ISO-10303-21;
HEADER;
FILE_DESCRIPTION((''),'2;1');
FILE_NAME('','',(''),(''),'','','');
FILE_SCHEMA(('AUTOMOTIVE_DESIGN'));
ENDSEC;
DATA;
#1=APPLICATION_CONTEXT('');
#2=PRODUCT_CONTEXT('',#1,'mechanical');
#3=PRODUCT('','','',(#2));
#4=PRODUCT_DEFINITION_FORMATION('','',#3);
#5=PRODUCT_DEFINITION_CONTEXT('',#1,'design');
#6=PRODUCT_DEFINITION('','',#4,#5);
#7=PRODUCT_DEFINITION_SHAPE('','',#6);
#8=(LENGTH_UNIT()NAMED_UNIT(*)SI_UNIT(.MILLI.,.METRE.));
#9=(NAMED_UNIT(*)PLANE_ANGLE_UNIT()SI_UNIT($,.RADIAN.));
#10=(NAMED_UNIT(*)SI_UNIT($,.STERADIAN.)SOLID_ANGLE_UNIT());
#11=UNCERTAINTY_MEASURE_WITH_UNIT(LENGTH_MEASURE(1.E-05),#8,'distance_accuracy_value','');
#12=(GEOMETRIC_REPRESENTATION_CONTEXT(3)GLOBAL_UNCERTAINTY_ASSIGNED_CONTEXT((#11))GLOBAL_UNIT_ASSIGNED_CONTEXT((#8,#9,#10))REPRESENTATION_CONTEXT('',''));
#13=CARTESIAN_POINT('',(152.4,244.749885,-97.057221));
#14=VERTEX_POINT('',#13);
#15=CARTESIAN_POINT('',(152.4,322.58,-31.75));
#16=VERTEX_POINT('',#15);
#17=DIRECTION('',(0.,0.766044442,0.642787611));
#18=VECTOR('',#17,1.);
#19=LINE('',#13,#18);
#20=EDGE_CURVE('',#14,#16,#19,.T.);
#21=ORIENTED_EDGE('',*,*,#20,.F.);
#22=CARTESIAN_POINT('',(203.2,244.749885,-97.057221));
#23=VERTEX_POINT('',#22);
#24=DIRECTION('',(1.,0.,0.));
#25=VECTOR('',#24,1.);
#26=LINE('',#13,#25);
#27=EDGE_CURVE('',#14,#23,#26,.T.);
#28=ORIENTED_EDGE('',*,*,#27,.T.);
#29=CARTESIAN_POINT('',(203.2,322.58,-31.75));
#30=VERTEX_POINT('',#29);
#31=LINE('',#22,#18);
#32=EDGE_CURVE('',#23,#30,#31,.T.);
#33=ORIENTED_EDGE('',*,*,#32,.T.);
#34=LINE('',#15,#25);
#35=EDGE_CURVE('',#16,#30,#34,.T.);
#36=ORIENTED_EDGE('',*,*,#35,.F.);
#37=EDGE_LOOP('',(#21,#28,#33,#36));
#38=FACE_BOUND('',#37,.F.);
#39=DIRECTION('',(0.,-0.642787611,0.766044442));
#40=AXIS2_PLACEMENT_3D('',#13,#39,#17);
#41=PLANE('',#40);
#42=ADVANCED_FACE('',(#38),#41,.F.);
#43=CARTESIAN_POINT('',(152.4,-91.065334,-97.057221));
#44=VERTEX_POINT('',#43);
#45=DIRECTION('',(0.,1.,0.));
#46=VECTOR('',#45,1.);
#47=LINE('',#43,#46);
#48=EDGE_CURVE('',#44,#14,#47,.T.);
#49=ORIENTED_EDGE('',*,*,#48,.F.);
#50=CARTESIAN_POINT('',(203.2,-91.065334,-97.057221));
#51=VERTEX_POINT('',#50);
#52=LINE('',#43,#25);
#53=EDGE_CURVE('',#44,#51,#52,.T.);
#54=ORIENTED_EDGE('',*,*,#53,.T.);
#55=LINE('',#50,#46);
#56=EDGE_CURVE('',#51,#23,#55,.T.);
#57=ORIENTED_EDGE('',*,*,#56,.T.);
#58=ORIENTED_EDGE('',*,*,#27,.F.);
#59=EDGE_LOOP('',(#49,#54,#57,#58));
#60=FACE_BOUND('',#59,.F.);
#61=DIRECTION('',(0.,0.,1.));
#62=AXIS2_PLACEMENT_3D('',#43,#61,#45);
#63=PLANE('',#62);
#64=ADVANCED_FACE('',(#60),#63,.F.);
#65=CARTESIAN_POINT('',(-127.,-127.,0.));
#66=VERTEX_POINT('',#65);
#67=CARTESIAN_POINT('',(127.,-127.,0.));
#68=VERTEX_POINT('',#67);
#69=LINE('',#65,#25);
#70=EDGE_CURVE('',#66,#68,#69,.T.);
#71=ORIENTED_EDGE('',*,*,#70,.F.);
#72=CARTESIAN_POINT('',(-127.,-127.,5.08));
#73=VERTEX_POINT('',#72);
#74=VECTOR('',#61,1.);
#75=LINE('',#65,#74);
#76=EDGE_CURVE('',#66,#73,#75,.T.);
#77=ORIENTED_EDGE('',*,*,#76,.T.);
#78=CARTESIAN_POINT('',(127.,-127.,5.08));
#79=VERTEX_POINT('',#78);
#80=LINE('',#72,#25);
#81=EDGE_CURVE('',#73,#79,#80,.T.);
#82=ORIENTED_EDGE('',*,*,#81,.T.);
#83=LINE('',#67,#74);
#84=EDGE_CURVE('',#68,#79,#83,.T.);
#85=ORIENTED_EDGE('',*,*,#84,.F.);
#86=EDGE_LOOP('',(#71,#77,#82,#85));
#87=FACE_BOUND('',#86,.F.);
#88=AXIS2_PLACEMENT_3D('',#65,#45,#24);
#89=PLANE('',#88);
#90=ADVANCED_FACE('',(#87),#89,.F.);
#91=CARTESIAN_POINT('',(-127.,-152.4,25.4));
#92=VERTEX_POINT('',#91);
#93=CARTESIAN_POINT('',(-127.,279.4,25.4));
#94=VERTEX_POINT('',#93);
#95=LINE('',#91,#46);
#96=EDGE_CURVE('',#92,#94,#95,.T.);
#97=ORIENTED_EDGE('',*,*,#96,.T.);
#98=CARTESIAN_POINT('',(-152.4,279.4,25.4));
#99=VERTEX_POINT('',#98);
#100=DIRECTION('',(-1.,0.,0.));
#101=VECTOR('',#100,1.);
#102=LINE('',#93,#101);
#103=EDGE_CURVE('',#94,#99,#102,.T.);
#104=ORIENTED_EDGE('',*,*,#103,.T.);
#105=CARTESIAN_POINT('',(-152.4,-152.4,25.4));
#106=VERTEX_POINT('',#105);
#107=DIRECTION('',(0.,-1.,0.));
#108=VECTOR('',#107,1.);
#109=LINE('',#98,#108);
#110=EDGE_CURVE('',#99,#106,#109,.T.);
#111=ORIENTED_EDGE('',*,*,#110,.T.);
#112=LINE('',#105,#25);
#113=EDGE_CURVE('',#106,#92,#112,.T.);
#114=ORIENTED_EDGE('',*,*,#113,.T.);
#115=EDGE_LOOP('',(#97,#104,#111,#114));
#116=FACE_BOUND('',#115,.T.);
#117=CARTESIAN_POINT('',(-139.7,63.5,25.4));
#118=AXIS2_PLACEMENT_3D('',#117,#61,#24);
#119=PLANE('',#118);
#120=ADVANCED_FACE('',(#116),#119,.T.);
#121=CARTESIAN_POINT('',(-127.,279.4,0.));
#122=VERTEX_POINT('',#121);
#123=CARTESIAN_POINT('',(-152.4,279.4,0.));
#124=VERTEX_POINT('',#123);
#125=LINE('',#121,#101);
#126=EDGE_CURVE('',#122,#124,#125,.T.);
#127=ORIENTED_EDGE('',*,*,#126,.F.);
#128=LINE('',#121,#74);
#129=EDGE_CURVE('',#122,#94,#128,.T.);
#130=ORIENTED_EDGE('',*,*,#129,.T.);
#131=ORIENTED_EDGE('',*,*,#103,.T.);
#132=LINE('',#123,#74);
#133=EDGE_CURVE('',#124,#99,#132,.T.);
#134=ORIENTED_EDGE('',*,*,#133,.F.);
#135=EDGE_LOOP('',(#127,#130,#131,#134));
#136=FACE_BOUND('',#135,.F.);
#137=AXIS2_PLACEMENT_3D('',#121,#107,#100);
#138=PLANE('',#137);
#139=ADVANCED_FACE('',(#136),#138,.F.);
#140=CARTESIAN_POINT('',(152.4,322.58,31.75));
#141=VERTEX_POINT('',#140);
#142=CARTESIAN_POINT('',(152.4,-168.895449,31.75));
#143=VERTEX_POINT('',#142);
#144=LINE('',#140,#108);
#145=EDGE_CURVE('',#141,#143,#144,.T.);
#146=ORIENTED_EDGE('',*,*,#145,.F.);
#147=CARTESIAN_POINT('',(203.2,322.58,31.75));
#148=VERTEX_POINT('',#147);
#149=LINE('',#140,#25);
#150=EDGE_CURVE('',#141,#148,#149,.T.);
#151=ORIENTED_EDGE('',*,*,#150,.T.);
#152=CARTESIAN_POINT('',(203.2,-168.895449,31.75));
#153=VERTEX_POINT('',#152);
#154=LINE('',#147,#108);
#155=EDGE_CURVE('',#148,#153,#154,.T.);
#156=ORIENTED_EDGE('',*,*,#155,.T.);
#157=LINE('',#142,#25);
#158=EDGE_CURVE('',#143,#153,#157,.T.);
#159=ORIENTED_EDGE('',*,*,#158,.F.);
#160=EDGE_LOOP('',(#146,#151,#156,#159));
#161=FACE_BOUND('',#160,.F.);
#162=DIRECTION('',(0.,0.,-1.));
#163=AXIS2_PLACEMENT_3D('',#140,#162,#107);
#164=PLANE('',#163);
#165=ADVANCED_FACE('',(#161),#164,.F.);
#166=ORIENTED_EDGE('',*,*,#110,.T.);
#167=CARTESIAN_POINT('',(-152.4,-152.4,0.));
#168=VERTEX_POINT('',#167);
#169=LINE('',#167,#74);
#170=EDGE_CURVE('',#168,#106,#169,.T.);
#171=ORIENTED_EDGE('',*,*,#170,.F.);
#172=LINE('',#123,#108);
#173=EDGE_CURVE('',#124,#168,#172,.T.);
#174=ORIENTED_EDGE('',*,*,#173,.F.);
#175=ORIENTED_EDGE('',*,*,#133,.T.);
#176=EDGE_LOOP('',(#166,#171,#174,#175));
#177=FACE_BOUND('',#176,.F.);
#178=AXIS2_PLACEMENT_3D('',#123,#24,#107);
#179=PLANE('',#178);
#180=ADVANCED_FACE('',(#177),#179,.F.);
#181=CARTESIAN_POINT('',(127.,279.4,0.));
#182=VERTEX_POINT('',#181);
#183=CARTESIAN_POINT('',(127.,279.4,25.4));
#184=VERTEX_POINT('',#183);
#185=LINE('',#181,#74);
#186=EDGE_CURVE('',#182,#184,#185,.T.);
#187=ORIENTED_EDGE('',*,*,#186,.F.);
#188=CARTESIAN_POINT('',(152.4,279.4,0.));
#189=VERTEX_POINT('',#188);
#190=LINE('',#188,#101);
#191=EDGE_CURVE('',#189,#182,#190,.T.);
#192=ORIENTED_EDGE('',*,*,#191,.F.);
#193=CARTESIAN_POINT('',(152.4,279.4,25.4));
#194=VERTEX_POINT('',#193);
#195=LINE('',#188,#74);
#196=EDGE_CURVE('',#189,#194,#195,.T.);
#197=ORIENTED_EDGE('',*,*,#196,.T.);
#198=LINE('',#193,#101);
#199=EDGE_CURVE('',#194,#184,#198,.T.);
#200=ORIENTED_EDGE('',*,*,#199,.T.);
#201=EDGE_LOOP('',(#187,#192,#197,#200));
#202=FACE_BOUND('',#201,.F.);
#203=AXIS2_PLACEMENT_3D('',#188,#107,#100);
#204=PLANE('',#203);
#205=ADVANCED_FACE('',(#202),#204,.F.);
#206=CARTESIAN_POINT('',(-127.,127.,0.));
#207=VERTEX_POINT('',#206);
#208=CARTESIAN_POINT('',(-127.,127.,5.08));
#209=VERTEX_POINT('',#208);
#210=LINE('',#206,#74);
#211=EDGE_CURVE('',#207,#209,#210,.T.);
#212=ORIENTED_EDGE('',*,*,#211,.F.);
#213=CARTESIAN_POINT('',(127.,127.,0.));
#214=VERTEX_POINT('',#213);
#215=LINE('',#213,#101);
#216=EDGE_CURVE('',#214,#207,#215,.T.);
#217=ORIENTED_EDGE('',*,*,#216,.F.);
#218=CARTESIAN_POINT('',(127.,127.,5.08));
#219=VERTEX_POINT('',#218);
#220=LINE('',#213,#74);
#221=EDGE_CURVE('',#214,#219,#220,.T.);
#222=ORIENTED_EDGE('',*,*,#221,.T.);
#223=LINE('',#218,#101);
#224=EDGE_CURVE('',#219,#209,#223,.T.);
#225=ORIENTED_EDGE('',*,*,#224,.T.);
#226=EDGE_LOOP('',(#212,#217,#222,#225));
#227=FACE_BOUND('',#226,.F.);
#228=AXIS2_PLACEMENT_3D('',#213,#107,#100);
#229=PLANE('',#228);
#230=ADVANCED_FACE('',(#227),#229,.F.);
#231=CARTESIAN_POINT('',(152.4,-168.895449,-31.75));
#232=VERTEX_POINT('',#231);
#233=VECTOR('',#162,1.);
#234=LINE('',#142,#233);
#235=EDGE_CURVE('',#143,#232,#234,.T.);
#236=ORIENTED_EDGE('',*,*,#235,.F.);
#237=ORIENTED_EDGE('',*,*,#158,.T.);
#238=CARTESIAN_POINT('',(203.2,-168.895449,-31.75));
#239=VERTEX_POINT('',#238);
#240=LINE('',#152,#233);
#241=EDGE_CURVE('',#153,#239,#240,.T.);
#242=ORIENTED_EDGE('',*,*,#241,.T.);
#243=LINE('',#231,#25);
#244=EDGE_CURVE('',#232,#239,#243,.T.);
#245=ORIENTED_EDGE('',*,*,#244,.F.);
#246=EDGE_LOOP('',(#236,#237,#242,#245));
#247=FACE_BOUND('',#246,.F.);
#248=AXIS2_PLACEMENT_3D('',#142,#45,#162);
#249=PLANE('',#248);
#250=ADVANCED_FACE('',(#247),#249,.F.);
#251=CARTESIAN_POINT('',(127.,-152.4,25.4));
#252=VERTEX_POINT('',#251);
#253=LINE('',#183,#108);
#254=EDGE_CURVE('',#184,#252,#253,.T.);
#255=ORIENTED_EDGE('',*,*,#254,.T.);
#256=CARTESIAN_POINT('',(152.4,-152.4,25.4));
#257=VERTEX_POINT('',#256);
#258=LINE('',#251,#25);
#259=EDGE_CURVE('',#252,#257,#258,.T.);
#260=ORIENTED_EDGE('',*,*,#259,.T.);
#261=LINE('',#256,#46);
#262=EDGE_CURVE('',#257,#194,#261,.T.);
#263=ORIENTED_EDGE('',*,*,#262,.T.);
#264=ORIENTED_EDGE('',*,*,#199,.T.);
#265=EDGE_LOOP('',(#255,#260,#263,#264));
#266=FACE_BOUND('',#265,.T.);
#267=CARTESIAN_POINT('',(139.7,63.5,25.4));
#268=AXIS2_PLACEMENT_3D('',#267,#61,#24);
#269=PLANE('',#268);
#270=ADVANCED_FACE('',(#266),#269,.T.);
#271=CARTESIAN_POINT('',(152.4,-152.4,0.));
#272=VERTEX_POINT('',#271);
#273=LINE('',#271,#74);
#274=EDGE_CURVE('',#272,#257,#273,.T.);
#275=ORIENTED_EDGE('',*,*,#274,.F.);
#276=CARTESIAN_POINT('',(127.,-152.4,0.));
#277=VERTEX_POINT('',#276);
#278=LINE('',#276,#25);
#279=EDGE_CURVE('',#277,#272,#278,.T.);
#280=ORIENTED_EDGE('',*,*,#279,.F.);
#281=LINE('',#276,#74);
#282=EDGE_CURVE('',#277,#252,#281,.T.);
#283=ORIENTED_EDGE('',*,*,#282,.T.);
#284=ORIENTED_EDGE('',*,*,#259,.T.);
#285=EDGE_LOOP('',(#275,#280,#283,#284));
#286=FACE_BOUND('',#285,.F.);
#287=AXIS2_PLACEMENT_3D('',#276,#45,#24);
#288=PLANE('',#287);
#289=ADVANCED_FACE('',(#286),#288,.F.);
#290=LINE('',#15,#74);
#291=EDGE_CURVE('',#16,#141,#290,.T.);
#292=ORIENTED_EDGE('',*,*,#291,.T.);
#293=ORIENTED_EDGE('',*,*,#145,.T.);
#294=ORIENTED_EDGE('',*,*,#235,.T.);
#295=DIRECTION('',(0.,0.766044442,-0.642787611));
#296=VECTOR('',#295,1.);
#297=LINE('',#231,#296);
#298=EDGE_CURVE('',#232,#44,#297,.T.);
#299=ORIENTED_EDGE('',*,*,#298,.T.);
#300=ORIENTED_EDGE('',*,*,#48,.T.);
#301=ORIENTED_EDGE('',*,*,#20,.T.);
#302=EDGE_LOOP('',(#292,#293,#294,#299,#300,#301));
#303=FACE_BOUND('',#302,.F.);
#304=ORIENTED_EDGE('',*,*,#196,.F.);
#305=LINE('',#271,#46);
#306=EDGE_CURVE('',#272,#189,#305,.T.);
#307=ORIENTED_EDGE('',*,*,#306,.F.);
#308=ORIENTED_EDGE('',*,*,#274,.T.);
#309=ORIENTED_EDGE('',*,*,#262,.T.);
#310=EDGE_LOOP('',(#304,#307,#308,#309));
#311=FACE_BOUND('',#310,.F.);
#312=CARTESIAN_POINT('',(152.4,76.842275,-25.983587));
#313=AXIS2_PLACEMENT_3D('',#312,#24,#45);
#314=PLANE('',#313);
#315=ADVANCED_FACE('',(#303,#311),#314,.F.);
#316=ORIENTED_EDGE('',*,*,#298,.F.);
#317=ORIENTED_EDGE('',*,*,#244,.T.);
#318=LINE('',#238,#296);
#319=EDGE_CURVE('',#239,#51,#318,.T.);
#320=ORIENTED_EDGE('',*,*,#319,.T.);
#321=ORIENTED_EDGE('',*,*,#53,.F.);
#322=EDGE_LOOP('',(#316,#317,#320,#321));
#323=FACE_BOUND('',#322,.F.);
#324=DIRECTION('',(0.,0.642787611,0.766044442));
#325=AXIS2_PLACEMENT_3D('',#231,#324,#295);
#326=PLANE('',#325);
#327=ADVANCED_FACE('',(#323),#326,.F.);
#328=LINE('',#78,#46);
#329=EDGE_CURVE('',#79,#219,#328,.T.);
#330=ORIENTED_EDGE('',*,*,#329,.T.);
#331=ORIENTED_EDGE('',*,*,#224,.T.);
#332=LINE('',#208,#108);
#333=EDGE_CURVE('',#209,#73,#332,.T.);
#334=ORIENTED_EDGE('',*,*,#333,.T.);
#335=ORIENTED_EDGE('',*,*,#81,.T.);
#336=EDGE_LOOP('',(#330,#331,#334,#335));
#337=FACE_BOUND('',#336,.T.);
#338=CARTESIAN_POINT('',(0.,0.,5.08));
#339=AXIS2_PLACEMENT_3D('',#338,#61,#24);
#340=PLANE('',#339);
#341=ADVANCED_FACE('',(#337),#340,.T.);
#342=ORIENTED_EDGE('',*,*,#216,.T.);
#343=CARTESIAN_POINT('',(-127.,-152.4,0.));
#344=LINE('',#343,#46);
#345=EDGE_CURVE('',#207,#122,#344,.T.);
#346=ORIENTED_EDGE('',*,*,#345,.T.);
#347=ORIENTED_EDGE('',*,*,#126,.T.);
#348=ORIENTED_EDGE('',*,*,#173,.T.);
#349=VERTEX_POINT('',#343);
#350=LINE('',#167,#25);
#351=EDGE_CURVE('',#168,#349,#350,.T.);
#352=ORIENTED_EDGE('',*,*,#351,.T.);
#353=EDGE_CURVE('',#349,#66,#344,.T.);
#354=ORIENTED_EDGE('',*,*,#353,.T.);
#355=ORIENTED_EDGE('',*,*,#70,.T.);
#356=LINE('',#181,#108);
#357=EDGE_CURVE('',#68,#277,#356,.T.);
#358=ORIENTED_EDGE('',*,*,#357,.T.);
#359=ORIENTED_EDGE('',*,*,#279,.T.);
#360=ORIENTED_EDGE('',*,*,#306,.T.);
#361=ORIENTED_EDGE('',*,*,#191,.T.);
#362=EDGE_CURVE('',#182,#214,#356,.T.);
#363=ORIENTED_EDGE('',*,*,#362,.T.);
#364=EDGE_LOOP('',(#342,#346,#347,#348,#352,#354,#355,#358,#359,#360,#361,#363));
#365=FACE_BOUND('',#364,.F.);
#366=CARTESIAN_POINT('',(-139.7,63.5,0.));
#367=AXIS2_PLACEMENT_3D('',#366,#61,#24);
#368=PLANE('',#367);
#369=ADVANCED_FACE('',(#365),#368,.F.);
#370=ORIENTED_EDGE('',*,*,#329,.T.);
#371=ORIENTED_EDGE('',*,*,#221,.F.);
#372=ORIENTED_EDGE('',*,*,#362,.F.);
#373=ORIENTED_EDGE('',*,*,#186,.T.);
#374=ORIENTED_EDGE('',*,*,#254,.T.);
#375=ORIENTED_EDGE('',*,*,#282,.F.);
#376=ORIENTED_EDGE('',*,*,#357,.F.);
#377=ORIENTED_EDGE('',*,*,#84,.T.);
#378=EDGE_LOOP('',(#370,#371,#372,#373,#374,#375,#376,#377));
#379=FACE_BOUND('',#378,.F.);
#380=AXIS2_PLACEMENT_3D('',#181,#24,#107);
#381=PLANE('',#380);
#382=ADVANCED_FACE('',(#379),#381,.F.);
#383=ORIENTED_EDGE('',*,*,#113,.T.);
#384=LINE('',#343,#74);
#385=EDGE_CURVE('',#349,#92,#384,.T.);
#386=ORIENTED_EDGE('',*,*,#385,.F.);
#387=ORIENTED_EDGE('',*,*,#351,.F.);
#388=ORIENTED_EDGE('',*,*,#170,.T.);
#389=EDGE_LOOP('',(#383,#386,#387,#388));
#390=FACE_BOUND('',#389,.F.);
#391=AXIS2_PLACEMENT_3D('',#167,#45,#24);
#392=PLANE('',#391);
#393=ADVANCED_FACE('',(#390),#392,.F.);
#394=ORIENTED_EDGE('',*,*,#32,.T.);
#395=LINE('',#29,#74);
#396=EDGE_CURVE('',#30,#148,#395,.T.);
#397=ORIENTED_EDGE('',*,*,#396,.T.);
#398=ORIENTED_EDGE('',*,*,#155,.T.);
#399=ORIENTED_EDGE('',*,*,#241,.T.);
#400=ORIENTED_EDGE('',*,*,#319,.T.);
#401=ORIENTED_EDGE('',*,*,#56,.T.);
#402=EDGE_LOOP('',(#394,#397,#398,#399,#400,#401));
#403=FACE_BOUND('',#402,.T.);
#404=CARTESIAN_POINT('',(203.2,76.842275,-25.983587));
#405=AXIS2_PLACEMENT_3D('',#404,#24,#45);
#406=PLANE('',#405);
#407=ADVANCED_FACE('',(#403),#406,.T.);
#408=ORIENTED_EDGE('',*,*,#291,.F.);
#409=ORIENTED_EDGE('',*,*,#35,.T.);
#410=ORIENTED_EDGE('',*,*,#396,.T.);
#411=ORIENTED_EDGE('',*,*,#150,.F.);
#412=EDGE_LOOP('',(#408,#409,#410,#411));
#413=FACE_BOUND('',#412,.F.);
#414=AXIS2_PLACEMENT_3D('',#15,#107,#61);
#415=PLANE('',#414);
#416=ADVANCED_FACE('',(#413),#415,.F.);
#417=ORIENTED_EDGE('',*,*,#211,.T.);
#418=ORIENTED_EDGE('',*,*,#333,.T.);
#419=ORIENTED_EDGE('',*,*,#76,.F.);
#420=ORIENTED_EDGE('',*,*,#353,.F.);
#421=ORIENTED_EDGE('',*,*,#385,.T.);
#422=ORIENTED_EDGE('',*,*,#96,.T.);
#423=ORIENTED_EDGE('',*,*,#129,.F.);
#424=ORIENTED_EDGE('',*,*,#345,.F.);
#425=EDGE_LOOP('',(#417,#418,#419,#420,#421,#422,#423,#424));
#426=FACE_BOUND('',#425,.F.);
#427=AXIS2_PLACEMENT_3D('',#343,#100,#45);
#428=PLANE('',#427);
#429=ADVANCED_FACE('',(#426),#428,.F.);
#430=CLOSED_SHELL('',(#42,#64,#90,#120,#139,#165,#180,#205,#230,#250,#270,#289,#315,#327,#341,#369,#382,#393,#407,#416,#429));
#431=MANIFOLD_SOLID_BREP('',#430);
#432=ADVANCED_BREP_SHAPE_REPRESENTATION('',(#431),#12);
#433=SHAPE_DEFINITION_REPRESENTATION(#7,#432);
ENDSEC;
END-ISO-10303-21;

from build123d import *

# Parameters (mm, degrees)
F1_DEPTH = 5.08
F2_DEPTH = 25.4
F4_DEPTH = 50.8


with BuildPart() as f1:
    # F0 (on Top) → F1 (new body)
    with BuildSketch(Plane.XY):
        Polygon((-127, 127), (-127, -127), (127, -127), (127, 127), (0, 127), align=None)
    extrude(amount=F1_DEPTH)

    # F0 (on Top) → F2 (join)
    with BuildSketch(Plane.XY):
        Polygon((-127, -152.4), (-127, -127), (-127, 127), (-127, 279.4), (-152.4, 279.4), (-152.4, -127), (-152.4, -152.4), align=None)
        Polygon((127, 127), (127, -127), (127, -152.4), (152.4, -152.4), (152.4, -127), (152.4, 279.4), (127, 279.4), align=None)
    extrude(amount=F2_DEPTH)

    # F3 (on face) → F4 (join)
    with BuildSketch(Plane.YZ.offset(152.4)):
        Polygon((168.895449, 31.75), (-168.895449, 31.75), (-168.895449, -31.75), (-91.065334, -97.057221), (244.749885, -97.057221), (322.58, -31.75), (322.58, 31.75), align=None)
    extrude(amount=F4_DEPTH)


solid = f1.part
